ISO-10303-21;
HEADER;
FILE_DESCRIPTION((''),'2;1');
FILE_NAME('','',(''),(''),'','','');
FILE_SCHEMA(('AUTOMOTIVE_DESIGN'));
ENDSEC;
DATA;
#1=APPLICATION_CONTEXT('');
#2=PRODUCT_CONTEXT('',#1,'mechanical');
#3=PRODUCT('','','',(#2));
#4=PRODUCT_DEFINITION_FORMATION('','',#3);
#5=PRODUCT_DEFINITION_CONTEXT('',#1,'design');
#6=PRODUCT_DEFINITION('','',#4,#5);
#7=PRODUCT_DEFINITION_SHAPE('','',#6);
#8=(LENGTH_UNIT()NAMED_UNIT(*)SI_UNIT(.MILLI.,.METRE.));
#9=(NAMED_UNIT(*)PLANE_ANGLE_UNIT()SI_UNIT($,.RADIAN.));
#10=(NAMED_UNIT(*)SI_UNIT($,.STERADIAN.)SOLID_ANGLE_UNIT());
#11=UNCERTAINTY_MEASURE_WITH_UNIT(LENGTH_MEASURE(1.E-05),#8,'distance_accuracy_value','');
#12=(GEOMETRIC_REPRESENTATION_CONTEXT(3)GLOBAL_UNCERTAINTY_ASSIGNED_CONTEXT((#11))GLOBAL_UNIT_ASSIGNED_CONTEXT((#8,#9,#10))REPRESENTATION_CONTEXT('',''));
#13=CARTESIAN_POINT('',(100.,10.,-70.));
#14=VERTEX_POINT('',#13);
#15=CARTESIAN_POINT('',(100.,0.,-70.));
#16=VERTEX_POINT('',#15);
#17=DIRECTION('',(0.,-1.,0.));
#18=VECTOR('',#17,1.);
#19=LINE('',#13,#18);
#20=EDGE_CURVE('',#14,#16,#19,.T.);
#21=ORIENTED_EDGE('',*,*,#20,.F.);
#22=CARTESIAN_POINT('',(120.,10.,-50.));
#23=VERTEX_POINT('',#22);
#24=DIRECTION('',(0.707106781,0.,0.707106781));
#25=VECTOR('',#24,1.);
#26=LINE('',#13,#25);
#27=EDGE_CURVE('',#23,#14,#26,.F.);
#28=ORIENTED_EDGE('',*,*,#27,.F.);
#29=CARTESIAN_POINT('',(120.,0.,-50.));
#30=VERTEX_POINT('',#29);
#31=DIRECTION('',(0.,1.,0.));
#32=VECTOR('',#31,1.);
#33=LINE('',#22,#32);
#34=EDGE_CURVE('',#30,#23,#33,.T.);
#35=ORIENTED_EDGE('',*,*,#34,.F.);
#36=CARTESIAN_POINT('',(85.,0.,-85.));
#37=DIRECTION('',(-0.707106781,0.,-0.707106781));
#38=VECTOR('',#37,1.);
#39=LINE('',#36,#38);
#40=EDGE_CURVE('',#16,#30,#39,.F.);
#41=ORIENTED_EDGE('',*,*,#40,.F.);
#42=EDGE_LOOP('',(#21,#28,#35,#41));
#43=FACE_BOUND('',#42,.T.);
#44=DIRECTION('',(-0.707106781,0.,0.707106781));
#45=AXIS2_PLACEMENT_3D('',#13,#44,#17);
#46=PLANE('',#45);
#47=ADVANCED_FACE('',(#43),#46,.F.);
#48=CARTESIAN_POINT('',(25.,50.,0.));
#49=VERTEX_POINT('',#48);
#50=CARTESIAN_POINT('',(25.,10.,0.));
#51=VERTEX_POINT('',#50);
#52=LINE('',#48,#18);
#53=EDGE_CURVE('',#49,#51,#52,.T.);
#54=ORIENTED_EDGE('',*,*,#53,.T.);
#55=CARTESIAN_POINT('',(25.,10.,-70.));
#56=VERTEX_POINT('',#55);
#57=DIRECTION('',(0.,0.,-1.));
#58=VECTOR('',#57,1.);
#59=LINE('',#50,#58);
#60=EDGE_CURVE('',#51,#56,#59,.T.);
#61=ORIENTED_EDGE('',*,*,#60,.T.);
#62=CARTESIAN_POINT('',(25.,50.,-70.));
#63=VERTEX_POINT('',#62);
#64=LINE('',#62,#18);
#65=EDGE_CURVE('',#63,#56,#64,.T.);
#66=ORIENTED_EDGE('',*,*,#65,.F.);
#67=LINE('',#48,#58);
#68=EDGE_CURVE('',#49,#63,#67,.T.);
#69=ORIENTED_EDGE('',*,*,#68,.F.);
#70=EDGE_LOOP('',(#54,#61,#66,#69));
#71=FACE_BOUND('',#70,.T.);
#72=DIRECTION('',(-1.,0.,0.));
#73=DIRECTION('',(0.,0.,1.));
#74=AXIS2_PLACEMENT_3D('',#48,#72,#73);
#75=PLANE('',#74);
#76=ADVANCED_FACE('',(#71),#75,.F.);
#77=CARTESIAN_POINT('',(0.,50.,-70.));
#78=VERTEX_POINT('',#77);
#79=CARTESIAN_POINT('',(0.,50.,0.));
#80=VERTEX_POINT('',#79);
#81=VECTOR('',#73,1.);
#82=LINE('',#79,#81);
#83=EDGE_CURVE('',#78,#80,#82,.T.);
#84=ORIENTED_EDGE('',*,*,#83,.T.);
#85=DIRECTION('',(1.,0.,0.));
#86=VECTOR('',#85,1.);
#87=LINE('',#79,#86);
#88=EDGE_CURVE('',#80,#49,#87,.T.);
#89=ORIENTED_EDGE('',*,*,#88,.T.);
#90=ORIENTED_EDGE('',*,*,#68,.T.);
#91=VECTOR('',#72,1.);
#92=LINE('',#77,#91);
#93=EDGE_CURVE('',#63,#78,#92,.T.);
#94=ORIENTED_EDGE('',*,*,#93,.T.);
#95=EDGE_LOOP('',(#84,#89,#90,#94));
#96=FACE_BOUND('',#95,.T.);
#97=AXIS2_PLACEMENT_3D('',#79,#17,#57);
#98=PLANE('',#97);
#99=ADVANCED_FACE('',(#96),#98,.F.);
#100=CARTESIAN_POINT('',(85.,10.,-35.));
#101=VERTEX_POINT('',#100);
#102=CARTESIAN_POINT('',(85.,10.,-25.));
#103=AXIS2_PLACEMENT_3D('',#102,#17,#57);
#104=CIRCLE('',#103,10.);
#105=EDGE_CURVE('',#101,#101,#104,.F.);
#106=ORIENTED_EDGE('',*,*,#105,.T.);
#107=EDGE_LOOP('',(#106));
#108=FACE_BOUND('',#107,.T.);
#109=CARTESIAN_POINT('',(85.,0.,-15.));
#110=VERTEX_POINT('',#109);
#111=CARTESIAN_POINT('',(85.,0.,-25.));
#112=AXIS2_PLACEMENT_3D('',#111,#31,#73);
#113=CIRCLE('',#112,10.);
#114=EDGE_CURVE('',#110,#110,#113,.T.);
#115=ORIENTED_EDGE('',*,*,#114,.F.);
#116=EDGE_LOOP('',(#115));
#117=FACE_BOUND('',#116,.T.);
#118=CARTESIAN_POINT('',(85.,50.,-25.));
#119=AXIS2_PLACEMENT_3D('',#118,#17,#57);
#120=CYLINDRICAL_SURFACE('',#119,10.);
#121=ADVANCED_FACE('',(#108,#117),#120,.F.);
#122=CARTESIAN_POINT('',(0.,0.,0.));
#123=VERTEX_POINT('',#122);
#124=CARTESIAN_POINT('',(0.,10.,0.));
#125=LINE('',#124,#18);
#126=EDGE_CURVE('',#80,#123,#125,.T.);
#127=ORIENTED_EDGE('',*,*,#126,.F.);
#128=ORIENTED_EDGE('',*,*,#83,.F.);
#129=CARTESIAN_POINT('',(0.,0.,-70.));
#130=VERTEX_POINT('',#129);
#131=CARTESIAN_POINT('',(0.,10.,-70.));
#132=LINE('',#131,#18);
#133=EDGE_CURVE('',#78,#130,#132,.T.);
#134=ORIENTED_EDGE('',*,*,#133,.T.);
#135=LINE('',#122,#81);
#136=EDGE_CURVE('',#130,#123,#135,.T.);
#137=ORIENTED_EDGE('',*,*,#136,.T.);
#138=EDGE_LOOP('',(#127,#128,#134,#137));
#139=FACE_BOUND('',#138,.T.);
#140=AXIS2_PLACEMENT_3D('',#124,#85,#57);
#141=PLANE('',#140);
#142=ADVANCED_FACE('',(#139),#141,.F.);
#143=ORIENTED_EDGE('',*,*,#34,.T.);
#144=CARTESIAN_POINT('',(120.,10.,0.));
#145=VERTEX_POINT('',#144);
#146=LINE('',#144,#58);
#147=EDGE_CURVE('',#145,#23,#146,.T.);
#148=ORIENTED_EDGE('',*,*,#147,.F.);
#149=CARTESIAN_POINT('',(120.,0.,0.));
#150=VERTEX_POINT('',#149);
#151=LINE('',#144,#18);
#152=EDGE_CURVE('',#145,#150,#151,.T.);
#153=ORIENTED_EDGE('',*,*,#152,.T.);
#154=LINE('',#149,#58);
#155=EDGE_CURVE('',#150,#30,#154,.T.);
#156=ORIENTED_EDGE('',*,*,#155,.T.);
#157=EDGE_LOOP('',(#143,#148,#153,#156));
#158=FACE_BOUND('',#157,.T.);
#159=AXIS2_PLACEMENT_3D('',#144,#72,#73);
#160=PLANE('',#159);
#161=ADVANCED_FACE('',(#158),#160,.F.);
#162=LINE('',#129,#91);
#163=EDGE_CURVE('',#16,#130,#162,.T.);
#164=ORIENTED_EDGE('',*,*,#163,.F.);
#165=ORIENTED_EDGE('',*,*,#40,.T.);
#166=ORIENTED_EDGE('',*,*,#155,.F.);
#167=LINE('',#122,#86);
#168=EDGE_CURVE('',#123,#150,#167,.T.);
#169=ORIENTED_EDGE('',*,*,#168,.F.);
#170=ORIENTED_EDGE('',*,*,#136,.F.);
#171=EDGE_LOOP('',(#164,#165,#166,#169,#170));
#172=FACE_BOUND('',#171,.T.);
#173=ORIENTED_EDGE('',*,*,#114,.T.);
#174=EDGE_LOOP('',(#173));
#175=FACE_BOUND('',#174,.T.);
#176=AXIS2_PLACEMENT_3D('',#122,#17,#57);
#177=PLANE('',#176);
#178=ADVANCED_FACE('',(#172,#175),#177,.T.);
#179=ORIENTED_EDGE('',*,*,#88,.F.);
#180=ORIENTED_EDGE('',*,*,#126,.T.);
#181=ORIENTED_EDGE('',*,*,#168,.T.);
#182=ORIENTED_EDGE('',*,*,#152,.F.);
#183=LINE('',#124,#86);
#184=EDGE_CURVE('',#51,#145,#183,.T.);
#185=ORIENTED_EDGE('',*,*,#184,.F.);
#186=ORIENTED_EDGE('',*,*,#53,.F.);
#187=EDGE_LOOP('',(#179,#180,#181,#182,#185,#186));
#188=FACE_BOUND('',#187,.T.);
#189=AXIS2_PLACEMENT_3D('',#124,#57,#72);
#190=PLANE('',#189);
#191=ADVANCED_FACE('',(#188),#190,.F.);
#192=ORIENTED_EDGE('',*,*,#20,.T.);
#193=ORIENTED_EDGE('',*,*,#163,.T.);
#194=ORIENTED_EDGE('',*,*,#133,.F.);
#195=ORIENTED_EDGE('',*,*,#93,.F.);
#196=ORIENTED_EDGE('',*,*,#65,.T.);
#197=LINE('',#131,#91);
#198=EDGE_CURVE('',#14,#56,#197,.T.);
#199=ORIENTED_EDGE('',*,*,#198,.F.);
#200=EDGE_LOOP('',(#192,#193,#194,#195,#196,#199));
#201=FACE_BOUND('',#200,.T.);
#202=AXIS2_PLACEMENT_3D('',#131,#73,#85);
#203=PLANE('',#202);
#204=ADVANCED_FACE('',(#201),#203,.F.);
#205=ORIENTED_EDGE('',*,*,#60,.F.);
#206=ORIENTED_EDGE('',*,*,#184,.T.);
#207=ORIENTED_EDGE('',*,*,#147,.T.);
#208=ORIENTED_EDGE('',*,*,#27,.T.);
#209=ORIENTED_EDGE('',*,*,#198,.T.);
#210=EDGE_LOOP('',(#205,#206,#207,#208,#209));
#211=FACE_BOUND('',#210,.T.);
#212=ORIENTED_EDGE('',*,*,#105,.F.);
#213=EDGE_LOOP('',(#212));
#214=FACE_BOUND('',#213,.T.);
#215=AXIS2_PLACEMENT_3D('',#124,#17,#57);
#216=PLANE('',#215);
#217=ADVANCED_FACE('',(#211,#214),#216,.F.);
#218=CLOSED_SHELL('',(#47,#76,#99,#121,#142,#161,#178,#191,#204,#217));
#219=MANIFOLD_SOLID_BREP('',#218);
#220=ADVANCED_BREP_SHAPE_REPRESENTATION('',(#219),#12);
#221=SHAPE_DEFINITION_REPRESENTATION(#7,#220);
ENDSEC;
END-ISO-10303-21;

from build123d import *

# Parameters (mm, degrees)
SKETCH1_W           = 120
SKETCH1_H           = 70
BOSS_EXTRUDE1_DEPTH = 10
SKETCH2_W           = 25
SKETCH2_H           = 70
BOSS_EXTRUDE2_DEPTH = 40
SKETCH3_R           = 10
CUT_EXTRUDE1_DEPTH  = 148.648230602
CHAMFER1_SIZE       = 20


with BuildPart() as part:
    # Sketch1 → Boss-Extrude1 (new body)
    with BuildSketch(Plane(origin=(0, 0, 0), x_dir=(1, 0, 0), z_dir=(0, 1, 0))):
        with Locations((60, 35)):
            Rectangle(SKETCH1_W, SKETCH1_H)
    extrude(amount=BOSS_EXTRUDE1_DEPTH)

    # Sketch2 → Boss-Extrude2 (add)
    with BuildSketch(Plane(origin=(0, 10, 0), x_dir=(1, 0, 0), z_dir=(0, 1, 0))):
        with Locations((12.5, 35)):
            Rectangle(SKETCH2_W, SKETCH2_H)
    extrude(amount=BOSS_EXTRUDE2_DEPTH)

    # Sketch3 → Cut-Extrude1 (cut, through all)
    with BuildSketch(Plane(origin=(0, 0, 0), x_dir=(1, 0, 0), z_dir=(0, 1, 0))):
        with Locations(Location((85, 25, 0), (0, 0, 90))):
            Circle(SKETCH3_R)
    extrude(amount=CUT_EXTRUDE1_DEPTH, mode=Mode.SUBTRACT)

    # Chamfer1
    chamfer1_edges = [part.edges().sort_by_distance(p)[0] for p in [
        (120, 5, -70),
    ]]
    chamfer(chamfer1_edges, length=CHAMFER1_SIZE)


solid = part.part
